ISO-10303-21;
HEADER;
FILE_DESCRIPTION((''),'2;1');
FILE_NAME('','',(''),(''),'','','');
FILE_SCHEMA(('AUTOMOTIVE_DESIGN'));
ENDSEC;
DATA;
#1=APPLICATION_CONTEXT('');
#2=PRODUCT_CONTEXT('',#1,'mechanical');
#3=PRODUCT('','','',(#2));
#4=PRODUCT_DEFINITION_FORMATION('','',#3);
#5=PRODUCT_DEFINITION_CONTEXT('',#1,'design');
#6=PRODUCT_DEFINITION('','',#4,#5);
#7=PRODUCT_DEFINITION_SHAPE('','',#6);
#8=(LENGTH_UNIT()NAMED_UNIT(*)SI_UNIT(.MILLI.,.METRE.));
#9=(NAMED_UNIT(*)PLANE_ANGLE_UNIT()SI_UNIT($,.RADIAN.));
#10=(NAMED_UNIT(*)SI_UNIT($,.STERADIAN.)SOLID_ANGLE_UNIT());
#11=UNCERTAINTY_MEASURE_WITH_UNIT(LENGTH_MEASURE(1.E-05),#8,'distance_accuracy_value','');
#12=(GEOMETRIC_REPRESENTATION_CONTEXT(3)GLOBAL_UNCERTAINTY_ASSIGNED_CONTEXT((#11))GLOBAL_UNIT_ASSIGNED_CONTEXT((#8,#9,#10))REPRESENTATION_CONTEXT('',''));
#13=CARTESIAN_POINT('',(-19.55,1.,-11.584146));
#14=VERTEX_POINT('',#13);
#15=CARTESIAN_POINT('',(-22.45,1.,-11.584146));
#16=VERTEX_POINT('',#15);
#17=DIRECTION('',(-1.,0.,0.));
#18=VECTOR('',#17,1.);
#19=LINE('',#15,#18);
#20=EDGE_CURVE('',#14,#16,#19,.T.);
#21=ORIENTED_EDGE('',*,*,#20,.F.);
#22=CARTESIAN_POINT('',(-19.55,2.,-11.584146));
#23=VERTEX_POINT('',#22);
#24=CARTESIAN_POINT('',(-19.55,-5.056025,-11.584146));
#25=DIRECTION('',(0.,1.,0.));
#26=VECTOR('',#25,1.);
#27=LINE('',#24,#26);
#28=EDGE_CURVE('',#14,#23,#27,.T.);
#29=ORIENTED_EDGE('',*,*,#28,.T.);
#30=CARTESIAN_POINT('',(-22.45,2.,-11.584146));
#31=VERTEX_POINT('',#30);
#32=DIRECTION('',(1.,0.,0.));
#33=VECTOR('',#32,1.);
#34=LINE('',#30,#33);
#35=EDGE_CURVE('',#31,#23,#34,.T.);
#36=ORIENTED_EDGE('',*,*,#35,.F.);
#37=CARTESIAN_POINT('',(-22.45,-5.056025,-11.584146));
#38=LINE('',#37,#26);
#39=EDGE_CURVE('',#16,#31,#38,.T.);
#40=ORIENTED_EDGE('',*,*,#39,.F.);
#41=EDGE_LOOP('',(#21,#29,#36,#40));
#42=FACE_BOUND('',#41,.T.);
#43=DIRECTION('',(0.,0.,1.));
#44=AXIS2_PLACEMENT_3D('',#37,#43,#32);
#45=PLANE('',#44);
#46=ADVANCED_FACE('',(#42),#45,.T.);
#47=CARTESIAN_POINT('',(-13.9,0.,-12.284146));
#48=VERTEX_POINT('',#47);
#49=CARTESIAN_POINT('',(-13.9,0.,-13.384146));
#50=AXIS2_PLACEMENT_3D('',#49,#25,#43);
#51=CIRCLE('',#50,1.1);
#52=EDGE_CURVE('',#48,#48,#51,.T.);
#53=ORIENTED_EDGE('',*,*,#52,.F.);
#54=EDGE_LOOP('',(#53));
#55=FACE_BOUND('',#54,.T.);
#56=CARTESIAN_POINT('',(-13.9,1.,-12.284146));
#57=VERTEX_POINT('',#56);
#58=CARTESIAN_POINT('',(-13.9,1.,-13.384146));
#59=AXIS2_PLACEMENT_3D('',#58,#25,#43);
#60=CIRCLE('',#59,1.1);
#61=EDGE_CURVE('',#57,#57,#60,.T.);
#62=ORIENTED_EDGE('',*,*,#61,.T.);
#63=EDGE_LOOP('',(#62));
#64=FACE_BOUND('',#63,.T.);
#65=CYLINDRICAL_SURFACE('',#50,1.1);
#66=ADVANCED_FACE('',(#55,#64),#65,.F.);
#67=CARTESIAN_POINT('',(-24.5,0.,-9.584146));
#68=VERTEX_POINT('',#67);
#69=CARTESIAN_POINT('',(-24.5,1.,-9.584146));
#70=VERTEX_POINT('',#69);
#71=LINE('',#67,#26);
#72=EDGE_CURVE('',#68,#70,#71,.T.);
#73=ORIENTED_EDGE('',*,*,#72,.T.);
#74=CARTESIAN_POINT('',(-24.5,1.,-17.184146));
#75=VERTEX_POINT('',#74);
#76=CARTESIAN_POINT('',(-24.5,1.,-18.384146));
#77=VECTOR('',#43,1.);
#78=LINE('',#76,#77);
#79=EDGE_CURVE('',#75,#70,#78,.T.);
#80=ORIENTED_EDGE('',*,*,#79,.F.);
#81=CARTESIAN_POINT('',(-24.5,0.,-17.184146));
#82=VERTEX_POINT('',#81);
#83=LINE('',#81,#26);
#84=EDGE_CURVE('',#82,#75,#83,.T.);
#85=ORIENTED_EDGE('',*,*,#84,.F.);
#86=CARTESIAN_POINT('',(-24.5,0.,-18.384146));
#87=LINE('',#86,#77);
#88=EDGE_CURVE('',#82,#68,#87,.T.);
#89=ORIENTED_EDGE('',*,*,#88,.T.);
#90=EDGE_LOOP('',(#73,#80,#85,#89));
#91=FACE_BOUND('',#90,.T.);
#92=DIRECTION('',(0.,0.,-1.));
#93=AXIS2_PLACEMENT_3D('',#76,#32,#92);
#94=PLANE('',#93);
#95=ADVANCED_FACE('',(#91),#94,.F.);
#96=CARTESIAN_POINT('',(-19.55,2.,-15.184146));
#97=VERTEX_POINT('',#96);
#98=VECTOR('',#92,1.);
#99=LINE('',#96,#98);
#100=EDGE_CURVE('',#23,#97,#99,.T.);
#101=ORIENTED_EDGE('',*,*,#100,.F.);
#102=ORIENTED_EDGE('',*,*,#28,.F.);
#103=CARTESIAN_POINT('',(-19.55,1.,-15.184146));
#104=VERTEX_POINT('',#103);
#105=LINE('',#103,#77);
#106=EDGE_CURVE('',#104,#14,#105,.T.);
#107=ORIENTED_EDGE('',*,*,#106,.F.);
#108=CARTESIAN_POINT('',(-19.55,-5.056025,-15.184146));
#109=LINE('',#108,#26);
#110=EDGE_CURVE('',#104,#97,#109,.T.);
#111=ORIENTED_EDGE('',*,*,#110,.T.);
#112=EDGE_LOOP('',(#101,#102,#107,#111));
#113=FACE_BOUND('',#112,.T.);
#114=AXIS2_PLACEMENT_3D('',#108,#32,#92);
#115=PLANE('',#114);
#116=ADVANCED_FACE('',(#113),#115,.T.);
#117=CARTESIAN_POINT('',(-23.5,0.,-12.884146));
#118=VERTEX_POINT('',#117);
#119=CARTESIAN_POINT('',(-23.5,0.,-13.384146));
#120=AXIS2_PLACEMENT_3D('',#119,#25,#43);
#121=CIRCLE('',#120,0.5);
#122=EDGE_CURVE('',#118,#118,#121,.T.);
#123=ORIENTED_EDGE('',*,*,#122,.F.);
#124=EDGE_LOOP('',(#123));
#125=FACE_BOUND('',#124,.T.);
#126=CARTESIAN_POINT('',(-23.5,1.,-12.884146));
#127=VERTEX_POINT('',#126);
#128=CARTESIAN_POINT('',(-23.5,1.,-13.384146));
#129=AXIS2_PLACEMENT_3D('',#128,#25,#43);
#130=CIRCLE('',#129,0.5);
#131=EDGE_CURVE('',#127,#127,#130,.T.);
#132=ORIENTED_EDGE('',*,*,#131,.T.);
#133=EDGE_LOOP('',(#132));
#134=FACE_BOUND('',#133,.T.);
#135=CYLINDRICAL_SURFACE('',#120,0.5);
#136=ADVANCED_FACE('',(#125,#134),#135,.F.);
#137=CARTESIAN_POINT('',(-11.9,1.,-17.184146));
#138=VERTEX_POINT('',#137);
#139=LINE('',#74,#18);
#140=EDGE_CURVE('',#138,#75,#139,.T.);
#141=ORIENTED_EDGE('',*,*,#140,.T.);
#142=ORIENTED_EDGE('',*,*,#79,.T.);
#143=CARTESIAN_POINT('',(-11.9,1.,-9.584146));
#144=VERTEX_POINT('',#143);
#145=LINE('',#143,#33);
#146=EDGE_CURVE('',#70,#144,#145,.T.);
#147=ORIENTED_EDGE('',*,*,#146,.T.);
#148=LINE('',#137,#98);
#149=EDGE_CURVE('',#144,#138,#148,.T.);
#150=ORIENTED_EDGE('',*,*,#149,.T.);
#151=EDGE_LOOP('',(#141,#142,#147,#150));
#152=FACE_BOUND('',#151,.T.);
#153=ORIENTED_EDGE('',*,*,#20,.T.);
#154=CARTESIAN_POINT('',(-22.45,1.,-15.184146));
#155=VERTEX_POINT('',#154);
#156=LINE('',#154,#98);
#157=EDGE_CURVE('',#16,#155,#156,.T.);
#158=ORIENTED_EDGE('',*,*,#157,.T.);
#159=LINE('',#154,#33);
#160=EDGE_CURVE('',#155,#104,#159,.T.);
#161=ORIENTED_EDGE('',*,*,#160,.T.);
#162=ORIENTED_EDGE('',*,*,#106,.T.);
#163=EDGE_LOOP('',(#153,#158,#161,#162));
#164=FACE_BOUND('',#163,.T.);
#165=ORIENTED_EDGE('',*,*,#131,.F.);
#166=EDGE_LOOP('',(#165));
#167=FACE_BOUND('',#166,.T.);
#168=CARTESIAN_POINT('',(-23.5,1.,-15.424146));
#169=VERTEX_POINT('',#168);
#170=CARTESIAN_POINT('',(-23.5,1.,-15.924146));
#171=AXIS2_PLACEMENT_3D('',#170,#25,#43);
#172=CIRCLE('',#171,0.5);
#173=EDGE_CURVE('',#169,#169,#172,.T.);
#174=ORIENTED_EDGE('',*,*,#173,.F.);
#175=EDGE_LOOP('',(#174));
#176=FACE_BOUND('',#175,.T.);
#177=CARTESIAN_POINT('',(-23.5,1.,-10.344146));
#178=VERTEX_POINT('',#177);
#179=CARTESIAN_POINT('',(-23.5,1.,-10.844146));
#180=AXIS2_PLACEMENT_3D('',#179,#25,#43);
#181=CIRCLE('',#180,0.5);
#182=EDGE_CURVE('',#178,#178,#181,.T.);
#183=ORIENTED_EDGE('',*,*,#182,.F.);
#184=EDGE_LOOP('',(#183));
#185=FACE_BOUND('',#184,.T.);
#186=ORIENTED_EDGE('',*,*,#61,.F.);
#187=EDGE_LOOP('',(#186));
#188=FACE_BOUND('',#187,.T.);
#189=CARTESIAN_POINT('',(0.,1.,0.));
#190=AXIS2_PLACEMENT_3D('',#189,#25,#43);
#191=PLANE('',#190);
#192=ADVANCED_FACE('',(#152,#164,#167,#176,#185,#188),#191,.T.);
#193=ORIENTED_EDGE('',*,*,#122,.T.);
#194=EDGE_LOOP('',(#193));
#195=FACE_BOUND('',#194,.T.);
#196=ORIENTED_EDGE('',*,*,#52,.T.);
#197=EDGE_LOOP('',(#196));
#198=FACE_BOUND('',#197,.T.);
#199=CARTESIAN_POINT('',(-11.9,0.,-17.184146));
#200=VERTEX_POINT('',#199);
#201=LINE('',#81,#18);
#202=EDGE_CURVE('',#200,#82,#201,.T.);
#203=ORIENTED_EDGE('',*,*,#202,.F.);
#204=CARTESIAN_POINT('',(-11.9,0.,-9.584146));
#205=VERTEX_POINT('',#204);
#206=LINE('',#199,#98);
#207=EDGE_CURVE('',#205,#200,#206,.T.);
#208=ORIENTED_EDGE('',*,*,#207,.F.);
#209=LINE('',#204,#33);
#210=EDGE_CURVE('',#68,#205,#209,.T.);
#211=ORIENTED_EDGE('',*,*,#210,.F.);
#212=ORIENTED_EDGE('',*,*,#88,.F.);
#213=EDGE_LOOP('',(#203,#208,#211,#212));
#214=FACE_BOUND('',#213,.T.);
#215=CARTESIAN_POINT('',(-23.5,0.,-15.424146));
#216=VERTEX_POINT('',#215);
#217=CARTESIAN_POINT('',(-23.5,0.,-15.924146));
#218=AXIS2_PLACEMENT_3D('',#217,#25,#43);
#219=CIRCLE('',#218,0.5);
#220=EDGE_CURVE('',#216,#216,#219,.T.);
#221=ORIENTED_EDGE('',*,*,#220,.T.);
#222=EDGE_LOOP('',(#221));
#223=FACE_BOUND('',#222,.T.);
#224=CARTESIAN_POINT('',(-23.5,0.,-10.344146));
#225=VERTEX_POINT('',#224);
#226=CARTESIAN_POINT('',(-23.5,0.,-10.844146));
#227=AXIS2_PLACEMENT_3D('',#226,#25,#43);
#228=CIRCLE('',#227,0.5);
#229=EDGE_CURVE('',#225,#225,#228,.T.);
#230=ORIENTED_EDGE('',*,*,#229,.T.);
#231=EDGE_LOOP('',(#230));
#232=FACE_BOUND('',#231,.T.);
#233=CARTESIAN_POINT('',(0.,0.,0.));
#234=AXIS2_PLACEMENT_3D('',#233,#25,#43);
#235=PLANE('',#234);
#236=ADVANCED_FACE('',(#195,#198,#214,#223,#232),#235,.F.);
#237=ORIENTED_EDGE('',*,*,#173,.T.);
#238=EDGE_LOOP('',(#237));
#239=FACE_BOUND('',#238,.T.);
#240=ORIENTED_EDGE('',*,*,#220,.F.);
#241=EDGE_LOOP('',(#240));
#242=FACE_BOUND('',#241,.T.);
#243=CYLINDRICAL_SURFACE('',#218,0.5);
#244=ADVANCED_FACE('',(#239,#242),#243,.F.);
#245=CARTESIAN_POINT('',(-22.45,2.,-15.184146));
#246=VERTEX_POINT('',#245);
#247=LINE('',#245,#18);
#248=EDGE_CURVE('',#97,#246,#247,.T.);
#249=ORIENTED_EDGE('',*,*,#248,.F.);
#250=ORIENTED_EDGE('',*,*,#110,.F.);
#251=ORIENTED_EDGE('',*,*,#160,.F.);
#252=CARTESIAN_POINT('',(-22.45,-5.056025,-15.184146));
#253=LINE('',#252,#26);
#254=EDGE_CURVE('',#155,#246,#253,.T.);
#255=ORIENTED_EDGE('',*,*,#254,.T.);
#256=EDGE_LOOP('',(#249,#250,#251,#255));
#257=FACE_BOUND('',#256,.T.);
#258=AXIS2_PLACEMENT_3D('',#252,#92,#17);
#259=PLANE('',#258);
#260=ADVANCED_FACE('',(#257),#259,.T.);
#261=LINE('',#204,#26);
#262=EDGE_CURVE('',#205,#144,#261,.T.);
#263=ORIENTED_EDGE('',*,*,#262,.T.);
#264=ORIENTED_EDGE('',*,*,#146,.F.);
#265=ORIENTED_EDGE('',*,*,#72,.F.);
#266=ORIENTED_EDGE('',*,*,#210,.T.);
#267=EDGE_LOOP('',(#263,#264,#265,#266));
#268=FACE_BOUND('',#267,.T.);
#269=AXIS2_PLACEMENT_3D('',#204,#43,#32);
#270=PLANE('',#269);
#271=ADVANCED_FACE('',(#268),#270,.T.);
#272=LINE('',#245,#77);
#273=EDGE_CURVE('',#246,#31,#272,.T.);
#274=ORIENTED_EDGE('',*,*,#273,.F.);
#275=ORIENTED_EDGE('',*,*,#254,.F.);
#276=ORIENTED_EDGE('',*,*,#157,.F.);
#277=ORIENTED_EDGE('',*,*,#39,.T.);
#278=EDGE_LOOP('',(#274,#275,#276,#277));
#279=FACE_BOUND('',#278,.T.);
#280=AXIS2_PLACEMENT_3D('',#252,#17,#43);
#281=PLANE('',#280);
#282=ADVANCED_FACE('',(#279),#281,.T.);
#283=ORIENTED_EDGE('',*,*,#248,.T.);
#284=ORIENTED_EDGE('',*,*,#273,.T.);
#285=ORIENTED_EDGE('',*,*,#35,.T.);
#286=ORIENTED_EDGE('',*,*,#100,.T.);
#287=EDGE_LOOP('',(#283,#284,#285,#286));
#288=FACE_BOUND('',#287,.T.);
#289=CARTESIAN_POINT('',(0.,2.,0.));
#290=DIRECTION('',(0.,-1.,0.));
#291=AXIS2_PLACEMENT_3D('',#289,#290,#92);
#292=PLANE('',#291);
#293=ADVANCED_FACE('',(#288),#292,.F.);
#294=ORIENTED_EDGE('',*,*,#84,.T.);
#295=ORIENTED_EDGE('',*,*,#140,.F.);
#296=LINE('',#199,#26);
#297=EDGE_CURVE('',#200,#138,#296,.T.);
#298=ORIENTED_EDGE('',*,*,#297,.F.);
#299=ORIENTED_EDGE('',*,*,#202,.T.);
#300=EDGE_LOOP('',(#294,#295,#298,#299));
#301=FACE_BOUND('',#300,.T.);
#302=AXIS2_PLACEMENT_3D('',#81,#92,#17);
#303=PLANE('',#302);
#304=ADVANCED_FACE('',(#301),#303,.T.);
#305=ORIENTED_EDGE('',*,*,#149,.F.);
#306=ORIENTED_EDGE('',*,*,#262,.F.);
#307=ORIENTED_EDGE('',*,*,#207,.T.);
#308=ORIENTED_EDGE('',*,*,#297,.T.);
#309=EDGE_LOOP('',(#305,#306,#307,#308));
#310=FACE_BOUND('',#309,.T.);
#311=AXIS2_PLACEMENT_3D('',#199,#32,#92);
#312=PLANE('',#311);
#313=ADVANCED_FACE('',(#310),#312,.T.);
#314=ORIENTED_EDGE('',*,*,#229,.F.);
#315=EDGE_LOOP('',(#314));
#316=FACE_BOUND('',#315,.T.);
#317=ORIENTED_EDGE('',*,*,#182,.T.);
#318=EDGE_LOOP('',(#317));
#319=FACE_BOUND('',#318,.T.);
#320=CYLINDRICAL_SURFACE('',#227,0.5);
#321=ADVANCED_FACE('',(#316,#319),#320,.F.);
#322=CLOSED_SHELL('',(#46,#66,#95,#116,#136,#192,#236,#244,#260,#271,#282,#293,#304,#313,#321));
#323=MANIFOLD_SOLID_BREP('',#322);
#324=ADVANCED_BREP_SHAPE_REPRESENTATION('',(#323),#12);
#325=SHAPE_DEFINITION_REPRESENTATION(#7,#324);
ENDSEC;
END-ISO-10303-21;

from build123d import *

# Parameters (mm, degrees)
SKETCH1_W           = 17
SKETCH1_H           = 10
BOSS_EXTRUDE1_DEPTH = 1
SKETCH2_W           = 3
SKETCH2_H           = 4
BOSS_EXTRUDE2_DEPTH = 1
SKETCH3_W           = 22.308498818
SKETCH3_H           = 11.48116176
SKETCH3_W_2         = 12.6
SKETCH3_H_2         = 7.6
CUT_EXTRUDE1_DEPTH  = 1
SKETCH4_R           = 0.5
SKETCH4_R_2         = 1.1
CUT_EXTRUDE2_DEPTH  = 1
SKETCH5_W           = 3.647171716
SKETCH5_H           = 4.834622973
SKETCH5_W_2         = 2.9
SKETCH5_H_2         = 3.6
CUT_EXTRUDE3_DEPTH  = 1


with BuildPart() as part:
    # Sketch1 → Boss-Extrude1 (new body)
    with BuildSketch(Plane(origin=(0, 0, 0), x_dir=(1, 0, 0), z_dir=(0, 1, 0))):
        with Locations((-16, 13.384146341)):
            Rectangle(SKETCH1_W, SKETCH1_H)
    extrude(amount=BOSS_EXTRUDE1_DEPTH)

    # Sketch2 → Boss-Extrude2 (add)
    with BuildSketch(Plane(origin=(0, 1, 0), x_dir=(1, 0, 0), z_dir=(0, 1, 0))):
        with Locations((-21, 13.384146341)):
            Rectangle(SKETCH2_W, SKETCH2_H)
    extrude(amount=BOSS_EXTRUDE2_DEPTH)

    # Sketch3 → Cut-Extrude1 (cut)
    with BuildSketch(Plane(origin=(0, 1, 0), x_dir=(1, 0, 0), z_dir=(0, 1, 0))):
        with Locations((-18.026856575, 13.593370246)):
            Rectangle(SKETCH3_W, SKETCH3_H)
        with Locations((-18.2, 13.384146341)):
            Rectangle(SKETCH3_W_2, SKETCH3_H_2, mode=Mode.SUBTRACT)
    extrude(amount=-CUT_EXTRUDE1_DEPTH, mode=Mode.SUBTRACT)

    # Sketch4 → Cut-Extrude2 (cut)
    with BuildSketch(Plane(origin=(0, 1, 0), x_dir=(1, 0, 0), z_dir=(0, 1, 0))):
        with Locations((-23.5, 13.384146341)):
            Circle(SKETCH4_R)
        with Locations((-23.5, 15.924146341)):
            Circle(SKETCH4_R)
        with Locations((-23.5, 10.844146341)):
            Circle(SKETCH4_R)
        with Locations((-13.9, 13.384146341)):
            Circle(SKETCH4_R_2)
    extrude(amount=-CUT_EXTRUDE2_DEPTH, mode=Mode.SUBTRACT)

    # Sketch5 → Cut-Extrude3 (cut)
    with BuildSketch(Plane(origin=(0, 2, 0), x_dir=(1, 0, 0), z_dir=(0, 1, 0))):
        with Locations((-20.925831492, 13.474507318)):
            Rectangle(SKETCH5_W, SKETCH5_H)
        with Locations((-21, 13.384146341)):
            Rectangle(SKETCH5_W_2, SKETCH5_H_2, mode=Mode.SUBTRACT)
    extrude(amount=-CUT_EXTRUDE3_DEPTH, mode=Mode.SUBTRACT)


solid = part.part
